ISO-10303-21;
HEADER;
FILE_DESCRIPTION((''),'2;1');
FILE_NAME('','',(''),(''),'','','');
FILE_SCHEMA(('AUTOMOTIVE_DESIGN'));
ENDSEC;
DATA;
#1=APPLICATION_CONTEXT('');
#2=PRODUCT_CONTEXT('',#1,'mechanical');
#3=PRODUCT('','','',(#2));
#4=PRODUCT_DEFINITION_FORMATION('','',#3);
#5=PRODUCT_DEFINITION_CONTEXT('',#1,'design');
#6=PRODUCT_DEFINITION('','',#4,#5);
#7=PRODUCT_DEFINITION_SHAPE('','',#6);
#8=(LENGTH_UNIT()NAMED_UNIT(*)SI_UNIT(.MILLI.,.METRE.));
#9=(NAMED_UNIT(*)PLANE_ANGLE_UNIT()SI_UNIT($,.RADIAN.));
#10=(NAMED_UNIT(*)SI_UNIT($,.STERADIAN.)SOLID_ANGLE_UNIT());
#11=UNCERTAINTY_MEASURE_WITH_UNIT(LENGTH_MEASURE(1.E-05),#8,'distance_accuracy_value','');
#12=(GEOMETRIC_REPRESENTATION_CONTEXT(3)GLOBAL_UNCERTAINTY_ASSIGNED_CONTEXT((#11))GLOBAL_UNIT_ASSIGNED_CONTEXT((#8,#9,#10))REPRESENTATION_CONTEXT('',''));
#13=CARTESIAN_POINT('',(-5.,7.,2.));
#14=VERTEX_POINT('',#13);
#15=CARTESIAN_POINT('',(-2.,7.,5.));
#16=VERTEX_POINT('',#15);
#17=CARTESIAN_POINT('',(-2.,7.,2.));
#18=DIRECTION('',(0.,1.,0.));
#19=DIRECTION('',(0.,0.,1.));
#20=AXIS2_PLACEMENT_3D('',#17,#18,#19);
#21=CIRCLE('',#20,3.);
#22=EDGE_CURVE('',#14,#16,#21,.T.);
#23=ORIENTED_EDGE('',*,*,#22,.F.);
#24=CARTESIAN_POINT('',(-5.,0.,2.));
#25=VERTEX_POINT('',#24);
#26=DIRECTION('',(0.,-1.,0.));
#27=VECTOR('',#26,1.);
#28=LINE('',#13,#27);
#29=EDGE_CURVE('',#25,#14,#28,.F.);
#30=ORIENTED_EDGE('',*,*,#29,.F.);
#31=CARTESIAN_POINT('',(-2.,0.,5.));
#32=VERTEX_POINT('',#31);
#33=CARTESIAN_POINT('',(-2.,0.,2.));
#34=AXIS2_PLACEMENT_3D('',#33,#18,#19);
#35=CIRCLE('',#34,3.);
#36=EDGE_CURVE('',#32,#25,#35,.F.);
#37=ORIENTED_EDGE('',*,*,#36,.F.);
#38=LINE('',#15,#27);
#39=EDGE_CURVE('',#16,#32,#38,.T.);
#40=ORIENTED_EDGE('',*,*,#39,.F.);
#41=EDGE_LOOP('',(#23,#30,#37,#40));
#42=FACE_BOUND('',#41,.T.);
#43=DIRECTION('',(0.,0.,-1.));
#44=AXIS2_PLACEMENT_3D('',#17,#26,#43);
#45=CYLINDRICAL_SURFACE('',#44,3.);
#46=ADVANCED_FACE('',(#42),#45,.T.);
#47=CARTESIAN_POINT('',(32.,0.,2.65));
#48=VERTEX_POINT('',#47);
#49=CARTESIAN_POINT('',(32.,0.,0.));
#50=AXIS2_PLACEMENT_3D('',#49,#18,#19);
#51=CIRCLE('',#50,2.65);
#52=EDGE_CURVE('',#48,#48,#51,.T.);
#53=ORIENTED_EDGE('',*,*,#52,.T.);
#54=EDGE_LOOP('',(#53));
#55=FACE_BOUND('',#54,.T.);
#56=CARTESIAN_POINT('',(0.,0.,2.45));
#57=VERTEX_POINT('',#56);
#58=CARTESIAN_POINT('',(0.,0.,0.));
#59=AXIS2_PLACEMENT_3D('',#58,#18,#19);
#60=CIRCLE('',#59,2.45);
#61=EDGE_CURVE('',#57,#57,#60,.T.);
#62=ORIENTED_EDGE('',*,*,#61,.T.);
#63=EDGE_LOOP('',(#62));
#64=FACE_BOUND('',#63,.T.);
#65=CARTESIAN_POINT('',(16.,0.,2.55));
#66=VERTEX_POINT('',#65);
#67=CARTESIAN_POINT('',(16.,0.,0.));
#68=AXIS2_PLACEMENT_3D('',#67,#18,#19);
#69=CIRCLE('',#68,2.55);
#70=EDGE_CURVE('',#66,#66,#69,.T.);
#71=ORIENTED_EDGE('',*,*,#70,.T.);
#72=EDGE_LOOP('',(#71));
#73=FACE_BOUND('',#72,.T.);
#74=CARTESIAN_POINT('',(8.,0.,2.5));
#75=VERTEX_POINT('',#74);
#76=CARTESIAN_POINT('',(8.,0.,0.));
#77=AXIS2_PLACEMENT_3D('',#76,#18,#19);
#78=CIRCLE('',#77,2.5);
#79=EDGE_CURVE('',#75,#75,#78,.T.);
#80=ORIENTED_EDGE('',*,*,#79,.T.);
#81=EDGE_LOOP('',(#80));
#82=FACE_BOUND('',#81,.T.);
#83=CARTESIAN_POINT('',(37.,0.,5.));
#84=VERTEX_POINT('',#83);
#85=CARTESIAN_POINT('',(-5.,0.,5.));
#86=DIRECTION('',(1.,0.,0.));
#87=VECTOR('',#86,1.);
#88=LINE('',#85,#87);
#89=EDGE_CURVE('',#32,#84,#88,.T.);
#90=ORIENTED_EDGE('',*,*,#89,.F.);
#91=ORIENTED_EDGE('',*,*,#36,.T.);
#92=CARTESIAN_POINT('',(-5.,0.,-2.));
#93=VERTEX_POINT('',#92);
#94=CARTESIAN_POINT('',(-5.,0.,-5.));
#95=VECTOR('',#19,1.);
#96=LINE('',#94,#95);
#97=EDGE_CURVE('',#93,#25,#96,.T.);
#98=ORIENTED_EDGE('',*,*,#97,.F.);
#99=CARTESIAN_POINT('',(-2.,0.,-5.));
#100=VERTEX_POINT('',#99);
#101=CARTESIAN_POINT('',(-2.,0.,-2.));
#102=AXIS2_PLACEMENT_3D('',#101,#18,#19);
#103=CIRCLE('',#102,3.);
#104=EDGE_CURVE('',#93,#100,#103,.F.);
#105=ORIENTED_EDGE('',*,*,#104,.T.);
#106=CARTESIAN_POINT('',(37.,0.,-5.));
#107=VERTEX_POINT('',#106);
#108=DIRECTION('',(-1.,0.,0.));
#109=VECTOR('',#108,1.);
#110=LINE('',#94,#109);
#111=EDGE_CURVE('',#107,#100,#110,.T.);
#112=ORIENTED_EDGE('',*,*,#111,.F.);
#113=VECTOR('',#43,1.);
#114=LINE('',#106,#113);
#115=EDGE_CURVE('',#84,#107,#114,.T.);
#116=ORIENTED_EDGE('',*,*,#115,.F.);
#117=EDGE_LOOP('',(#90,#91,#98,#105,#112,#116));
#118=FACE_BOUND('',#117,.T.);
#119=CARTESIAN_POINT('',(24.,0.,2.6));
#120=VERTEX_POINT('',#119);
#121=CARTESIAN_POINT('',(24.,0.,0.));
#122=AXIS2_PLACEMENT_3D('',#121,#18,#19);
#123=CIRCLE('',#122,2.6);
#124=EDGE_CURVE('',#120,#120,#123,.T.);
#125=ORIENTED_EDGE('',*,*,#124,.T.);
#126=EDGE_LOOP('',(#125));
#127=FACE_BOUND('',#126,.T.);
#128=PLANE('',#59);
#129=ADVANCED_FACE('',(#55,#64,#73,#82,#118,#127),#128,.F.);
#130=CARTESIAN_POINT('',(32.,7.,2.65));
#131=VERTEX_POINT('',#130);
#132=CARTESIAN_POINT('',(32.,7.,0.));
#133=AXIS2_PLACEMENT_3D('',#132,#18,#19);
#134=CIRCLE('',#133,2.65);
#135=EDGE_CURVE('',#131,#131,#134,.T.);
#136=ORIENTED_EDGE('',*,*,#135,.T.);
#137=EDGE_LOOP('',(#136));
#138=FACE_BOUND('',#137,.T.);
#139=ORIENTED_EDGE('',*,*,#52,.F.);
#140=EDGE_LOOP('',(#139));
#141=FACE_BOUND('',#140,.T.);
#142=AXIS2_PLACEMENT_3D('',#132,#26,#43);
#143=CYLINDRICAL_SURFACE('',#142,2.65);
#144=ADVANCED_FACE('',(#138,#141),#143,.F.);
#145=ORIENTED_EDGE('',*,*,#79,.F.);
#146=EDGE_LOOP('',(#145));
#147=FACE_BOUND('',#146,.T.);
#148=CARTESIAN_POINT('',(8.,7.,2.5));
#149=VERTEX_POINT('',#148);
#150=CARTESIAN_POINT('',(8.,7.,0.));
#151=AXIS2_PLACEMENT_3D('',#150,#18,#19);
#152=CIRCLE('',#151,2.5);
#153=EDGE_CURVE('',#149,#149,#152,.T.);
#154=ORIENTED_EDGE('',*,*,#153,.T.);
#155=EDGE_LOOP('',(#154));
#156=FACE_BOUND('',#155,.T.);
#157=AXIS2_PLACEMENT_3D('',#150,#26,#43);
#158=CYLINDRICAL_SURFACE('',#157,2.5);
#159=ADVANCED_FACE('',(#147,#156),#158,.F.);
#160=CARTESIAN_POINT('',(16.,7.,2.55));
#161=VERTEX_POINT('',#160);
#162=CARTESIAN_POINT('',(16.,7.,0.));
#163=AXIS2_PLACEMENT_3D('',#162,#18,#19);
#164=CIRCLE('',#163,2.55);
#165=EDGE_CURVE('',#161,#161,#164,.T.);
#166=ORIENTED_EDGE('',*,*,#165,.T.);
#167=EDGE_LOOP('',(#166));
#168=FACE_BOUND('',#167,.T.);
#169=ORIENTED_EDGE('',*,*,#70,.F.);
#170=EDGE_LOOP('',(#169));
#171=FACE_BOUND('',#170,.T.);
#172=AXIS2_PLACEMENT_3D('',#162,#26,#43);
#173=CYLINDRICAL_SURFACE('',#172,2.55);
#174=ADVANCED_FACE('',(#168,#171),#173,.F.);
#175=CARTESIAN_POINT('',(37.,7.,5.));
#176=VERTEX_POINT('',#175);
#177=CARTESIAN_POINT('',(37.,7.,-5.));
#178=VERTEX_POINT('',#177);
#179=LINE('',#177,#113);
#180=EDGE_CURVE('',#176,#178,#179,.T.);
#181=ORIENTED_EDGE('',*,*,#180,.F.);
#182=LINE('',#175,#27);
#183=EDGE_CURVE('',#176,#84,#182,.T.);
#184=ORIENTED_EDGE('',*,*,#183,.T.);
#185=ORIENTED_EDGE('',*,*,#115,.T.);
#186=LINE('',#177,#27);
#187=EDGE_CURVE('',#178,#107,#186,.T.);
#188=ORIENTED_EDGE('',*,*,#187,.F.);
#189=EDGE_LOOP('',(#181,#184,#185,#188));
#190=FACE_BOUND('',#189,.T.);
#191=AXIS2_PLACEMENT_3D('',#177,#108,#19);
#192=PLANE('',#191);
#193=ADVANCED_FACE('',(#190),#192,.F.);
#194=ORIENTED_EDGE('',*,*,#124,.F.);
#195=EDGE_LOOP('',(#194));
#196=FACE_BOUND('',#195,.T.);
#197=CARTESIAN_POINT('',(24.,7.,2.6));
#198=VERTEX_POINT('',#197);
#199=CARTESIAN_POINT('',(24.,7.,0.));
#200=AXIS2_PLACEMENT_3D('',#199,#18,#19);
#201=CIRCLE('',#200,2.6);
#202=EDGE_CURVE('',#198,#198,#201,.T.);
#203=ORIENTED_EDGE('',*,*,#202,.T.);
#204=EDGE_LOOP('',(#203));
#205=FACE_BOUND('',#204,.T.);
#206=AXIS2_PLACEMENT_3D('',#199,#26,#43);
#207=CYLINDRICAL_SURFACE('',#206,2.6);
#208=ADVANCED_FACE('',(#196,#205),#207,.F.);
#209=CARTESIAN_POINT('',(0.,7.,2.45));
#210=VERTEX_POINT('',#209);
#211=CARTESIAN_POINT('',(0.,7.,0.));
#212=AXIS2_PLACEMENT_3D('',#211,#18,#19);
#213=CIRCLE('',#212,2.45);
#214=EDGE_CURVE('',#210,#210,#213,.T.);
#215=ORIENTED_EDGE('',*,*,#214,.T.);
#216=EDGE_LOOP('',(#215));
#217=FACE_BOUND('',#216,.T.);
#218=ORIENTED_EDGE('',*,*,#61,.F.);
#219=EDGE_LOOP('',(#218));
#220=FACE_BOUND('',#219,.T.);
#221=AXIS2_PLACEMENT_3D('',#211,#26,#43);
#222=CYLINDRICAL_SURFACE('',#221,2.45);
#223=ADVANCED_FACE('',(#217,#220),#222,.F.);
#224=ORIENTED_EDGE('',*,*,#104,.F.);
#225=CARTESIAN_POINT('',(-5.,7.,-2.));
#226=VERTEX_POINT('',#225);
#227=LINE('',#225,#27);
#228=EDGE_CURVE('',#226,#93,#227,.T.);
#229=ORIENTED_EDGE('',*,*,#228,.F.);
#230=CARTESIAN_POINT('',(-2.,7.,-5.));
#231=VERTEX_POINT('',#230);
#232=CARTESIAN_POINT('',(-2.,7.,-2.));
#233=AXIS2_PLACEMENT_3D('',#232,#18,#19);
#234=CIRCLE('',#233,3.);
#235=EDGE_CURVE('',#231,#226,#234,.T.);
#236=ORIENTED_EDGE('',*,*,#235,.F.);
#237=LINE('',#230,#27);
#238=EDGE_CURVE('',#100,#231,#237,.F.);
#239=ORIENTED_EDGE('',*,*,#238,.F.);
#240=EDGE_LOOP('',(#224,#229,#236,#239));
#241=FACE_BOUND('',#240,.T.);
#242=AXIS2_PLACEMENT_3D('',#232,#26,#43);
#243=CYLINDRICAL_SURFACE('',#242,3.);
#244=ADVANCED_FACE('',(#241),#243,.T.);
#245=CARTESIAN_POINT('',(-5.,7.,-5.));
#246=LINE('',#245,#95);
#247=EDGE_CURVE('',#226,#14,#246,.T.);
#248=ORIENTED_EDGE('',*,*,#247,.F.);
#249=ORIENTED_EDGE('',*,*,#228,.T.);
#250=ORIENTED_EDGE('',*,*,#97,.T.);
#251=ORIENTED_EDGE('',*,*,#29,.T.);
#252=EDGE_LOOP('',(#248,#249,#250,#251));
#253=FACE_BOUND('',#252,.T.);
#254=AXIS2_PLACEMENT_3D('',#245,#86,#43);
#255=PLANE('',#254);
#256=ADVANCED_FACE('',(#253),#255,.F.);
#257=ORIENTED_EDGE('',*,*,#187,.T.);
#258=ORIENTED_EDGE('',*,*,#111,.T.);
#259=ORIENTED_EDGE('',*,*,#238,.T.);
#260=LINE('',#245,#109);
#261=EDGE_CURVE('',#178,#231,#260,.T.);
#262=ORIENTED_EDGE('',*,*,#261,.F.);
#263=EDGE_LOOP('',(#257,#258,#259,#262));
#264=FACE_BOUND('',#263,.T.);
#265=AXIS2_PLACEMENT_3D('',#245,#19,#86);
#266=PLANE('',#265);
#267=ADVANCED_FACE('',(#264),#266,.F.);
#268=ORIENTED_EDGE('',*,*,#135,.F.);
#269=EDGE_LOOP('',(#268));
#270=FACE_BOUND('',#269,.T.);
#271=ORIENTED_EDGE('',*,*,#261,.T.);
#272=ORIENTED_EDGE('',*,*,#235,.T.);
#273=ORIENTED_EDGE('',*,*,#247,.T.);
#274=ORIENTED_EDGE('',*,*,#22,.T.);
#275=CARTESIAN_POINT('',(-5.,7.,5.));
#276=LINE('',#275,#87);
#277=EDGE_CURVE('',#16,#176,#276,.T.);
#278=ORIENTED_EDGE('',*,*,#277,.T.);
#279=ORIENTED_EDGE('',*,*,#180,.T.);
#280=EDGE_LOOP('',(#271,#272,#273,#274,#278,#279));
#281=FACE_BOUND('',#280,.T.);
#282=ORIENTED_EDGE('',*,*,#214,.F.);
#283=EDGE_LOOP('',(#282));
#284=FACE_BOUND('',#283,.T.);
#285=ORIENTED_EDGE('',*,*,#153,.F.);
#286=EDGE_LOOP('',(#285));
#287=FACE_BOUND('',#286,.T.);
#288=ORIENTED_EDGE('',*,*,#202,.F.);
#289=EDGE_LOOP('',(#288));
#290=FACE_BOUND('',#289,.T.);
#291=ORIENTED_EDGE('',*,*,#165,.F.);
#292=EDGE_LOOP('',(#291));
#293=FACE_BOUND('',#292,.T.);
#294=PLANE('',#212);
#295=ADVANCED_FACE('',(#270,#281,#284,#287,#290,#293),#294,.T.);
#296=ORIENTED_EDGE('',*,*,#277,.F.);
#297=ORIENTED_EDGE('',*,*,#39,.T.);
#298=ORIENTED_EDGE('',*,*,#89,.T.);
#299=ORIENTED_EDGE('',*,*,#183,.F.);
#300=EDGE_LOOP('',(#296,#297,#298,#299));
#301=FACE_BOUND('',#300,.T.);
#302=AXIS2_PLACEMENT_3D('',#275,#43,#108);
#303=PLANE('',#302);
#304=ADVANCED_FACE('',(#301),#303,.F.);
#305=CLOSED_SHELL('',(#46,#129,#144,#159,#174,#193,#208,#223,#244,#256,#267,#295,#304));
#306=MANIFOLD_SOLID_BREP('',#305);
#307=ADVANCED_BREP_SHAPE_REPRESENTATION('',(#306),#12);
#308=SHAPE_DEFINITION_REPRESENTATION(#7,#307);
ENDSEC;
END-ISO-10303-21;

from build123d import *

# Parameters (mm, degrees)
SKETCH1_W           = 42
SKETCH1_H           = 10
SKETCH1_R           = 2.45
SKETCH1_R_2         = 2.5
SKETCH1_R_3         = 2.55
SKETCH1_R_4         = 2.6
SKETCH1_R_5         = 2.65
BOSS_EXTRUDE1_DEPTH = 7
FILLET2_R           = 3


with BuildPart() as part:
    # Sketch1 → Boss-Extrude1 (new body)
    with BuildSketch(Plane(origin=(0, 0, 0), x_dir=(1, 0, 0), z_dir=(0, 1, 0))):
        with Locations((16, 0)):
            Rectangle(SKETCH1_W, SKETCH1_H)
        Circle(SKETCH1_R, mode=Mode.SUBTRACT)
        with Locations((8, 0)):
            Circle(SKETCH1_R_2, mode=Mode.SUBTRACT)
        with Locations((16, 0)):
            Circle(SKETCH1_R_3, mode=Mode.SUBTRACT)
        with Locations((24, 0)):
            Circle(SKETCH1_R_4, mode=Mode.SUBTRACT)
        with Locations((32, 0)):
            Circle(SKETCH1_R_5, mode=Mode.SUBTRACT)
    extrude(amount=BOSS_EXTRUDE1_DEPTH)

    # Fillet2
    fillet2_edges = [part.edges().sort_by_distance(p)[0] for p in [
        (-5, 3.5, 5),
        (-5, 3.5, -5),
    ]]
    fillet(fillet2_edges, radius=FILLET2_R)


solid = part.part
